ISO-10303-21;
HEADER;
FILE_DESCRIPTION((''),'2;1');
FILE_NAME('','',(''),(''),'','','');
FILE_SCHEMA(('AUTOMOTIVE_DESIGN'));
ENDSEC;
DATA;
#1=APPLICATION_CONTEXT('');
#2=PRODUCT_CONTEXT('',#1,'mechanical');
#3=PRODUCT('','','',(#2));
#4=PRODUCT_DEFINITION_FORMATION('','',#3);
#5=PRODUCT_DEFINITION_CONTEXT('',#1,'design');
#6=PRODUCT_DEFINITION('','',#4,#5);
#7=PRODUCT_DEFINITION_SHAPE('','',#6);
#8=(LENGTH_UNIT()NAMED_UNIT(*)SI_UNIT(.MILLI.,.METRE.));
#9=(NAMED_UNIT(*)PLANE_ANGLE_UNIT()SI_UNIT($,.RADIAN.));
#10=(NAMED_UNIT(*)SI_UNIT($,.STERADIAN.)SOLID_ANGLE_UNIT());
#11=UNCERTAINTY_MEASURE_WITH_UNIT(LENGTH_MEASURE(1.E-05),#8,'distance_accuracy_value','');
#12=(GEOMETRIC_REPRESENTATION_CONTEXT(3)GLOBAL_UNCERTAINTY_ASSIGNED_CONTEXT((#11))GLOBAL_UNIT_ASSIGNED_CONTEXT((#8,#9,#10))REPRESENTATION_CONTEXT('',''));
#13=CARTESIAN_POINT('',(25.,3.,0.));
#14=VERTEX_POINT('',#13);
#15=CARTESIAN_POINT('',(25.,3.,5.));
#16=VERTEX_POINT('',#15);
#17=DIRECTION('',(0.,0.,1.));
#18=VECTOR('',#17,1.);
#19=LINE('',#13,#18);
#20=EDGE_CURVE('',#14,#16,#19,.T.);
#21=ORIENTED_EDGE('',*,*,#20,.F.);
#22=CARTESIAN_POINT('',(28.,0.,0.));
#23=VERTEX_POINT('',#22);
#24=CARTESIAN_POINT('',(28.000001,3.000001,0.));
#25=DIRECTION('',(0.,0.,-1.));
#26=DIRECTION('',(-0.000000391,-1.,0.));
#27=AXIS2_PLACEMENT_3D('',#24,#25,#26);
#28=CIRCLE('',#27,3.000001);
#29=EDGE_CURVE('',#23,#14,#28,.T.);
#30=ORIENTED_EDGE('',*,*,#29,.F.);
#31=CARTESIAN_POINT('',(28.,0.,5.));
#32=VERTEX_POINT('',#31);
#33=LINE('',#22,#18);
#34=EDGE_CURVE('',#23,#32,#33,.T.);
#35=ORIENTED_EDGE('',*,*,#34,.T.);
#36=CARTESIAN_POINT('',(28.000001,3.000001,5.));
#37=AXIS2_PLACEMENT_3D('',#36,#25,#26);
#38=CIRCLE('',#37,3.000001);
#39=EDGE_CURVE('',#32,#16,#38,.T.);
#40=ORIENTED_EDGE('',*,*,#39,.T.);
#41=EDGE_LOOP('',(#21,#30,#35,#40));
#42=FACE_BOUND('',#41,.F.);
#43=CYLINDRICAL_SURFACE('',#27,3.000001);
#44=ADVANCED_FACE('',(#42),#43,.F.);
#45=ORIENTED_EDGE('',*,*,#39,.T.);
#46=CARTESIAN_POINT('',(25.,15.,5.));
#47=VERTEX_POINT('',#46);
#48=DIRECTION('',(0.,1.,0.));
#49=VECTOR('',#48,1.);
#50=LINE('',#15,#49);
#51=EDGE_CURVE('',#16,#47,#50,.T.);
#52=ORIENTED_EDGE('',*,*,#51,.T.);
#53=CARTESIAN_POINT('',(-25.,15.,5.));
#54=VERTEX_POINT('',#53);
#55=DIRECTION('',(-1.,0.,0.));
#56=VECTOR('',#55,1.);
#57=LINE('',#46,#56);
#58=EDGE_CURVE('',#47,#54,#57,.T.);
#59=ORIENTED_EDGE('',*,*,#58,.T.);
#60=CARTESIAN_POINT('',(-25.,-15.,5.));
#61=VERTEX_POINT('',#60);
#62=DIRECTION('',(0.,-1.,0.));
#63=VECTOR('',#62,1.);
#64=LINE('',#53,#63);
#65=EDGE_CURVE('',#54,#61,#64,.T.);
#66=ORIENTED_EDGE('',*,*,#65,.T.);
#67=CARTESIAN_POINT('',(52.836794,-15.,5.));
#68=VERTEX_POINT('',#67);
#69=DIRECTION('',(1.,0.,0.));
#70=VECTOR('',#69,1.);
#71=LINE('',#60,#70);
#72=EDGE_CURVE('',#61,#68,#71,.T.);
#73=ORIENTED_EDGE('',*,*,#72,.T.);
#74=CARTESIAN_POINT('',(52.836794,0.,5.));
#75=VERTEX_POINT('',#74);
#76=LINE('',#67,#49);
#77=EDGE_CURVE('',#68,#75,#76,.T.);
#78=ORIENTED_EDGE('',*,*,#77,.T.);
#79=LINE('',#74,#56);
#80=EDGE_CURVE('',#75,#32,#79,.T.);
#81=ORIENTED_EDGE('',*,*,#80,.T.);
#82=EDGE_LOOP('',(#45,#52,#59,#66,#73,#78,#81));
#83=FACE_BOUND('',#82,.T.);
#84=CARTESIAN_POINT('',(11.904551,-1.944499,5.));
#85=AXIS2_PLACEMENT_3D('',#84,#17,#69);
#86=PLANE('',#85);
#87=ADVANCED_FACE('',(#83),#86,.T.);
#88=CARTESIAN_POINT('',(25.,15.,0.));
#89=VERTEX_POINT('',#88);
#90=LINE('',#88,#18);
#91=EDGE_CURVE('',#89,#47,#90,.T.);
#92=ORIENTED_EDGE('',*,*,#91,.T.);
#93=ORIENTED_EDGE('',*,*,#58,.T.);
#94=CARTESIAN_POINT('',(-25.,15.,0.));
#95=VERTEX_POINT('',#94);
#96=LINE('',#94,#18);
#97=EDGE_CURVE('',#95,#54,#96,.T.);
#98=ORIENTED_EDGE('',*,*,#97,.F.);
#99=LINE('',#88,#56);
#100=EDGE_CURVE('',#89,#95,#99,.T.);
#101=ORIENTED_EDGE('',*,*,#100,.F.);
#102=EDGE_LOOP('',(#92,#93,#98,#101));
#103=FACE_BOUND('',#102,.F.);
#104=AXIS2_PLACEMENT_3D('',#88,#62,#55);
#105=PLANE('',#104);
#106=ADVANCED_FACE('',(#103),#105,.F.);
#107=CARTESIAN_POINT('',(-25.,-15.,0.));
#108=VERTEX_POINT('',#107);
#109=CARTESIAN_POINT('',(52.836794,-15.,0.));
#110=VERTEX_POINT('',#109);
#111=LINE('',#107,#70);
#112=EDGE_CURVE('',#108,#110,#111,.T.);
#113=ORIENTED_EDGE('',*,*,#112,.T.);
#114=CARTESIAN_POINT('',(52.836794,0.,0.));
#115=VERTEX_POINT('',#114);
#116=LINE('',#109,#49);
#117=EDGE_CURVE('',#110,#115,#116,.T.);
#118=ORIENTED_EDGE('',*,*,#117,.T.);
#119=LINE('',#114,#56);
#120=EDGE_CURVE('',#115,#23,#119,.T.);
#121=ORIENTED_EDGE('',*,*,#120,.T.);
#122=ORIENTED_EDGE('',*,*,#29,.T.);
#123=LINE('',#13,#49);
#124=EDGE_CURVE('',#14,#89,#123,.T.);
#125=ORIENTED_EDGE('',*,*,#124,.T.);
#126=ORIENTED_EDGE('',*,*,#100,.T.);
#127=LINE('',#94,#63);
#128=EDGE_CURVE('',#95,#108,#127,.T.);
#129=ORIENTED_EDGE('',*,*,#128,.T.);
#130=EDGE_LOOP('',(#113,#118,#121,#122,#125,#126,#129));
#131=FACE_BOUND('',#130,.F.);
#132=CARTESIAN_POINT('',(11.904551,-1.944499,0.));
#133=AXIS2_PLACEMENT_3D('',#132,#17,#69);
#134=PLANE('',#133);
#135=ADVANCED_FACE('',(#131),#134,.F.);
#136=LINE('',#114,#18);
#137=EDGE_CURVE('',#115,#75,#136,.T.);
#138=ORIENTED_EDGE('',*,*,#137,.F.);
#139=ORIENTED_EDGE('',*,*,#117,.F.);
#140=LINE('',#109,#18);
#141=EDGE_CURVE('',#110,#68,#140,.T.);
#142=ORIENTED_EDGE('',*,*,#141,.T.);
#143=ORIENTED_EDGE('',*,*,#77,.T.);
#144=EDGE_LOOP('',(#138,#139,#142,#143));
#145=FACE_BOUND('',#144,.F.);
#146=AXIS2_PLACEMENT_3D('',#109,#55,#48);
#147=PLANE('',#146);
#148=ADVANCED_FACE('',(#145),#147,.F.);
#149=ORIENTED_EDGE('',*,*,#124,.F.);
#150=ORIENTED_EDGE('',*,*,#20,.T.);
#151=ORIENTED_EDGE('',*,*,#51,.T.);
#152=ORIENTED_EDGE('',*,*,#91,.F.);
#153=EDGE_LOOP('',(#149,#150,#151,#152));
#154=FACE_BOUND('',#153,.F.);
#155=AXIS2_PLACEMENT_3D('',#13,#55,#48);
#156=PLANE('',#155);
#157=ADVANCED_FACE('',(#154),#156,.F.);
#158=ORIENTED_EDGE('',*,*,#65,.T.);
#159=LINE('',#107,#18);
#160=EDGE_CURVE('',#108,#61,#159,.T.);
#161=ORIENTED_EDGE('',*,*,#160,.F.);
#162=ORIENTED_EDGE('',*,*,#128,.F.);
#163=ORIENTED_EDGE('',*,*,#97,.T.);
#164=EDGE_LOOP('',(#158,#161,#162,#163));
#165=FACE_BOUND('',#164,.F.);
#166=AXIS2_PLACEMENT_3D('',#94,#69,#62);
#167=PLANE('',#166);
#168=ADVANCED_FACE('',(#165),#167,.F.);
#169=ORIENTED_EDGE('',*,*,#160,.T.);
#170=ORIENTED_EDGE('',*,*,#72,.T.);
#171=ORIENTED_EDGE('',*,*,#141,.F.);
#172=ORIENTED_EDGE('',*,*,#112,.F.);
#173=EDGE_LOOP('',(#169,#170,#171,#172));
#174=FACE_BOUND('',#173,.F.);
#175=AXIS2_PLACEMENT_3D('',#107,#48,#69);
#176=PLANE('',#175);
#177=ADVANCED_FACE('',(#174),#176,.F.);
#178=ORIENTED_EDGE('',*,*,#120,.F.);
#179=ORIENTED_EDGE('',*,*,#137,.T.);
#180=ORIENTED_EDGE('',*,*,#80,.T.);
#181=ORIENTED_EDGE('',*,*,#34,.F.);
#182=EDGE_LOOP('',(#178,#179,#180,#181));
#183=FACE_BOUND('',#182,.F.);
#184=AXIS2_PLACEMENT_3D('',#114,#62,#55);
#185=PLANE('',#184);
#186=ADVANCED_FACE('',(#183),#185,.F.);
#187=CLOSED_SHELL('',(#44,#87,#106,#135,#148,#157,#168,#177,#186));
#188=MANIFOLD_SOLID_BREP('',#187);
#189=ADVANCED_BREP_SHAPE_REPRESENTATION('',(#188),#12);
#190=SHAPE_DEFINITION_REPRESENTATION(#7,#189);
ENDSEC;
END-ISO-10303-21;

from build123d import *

# Parameters (mm, degrees)
F1_DEPTH = 5


with BuildPart() as f1:
    # F0 (on Top) → F1 (new body)
    with BuildSketch(Plane.XY):
        with BuildLine():
            Line((-25, 15), (-25, -15))
            Line((-25, -15), (25, -15))
            Line((25, -15), (52.836794, -15))
            Line((52.836794, -15), (52.836794, 0))
            Line((52.836794, 0), (28, 0))
            ThreePointArc((28, 0), (25.87868, 0.87868), (25, 3))
            Line((25, 3), (25, 15))
            Line((25, 15), (-25, 15))
        make_face()
    extrude(amount=F1_DEPTH)


solid = f1.part
